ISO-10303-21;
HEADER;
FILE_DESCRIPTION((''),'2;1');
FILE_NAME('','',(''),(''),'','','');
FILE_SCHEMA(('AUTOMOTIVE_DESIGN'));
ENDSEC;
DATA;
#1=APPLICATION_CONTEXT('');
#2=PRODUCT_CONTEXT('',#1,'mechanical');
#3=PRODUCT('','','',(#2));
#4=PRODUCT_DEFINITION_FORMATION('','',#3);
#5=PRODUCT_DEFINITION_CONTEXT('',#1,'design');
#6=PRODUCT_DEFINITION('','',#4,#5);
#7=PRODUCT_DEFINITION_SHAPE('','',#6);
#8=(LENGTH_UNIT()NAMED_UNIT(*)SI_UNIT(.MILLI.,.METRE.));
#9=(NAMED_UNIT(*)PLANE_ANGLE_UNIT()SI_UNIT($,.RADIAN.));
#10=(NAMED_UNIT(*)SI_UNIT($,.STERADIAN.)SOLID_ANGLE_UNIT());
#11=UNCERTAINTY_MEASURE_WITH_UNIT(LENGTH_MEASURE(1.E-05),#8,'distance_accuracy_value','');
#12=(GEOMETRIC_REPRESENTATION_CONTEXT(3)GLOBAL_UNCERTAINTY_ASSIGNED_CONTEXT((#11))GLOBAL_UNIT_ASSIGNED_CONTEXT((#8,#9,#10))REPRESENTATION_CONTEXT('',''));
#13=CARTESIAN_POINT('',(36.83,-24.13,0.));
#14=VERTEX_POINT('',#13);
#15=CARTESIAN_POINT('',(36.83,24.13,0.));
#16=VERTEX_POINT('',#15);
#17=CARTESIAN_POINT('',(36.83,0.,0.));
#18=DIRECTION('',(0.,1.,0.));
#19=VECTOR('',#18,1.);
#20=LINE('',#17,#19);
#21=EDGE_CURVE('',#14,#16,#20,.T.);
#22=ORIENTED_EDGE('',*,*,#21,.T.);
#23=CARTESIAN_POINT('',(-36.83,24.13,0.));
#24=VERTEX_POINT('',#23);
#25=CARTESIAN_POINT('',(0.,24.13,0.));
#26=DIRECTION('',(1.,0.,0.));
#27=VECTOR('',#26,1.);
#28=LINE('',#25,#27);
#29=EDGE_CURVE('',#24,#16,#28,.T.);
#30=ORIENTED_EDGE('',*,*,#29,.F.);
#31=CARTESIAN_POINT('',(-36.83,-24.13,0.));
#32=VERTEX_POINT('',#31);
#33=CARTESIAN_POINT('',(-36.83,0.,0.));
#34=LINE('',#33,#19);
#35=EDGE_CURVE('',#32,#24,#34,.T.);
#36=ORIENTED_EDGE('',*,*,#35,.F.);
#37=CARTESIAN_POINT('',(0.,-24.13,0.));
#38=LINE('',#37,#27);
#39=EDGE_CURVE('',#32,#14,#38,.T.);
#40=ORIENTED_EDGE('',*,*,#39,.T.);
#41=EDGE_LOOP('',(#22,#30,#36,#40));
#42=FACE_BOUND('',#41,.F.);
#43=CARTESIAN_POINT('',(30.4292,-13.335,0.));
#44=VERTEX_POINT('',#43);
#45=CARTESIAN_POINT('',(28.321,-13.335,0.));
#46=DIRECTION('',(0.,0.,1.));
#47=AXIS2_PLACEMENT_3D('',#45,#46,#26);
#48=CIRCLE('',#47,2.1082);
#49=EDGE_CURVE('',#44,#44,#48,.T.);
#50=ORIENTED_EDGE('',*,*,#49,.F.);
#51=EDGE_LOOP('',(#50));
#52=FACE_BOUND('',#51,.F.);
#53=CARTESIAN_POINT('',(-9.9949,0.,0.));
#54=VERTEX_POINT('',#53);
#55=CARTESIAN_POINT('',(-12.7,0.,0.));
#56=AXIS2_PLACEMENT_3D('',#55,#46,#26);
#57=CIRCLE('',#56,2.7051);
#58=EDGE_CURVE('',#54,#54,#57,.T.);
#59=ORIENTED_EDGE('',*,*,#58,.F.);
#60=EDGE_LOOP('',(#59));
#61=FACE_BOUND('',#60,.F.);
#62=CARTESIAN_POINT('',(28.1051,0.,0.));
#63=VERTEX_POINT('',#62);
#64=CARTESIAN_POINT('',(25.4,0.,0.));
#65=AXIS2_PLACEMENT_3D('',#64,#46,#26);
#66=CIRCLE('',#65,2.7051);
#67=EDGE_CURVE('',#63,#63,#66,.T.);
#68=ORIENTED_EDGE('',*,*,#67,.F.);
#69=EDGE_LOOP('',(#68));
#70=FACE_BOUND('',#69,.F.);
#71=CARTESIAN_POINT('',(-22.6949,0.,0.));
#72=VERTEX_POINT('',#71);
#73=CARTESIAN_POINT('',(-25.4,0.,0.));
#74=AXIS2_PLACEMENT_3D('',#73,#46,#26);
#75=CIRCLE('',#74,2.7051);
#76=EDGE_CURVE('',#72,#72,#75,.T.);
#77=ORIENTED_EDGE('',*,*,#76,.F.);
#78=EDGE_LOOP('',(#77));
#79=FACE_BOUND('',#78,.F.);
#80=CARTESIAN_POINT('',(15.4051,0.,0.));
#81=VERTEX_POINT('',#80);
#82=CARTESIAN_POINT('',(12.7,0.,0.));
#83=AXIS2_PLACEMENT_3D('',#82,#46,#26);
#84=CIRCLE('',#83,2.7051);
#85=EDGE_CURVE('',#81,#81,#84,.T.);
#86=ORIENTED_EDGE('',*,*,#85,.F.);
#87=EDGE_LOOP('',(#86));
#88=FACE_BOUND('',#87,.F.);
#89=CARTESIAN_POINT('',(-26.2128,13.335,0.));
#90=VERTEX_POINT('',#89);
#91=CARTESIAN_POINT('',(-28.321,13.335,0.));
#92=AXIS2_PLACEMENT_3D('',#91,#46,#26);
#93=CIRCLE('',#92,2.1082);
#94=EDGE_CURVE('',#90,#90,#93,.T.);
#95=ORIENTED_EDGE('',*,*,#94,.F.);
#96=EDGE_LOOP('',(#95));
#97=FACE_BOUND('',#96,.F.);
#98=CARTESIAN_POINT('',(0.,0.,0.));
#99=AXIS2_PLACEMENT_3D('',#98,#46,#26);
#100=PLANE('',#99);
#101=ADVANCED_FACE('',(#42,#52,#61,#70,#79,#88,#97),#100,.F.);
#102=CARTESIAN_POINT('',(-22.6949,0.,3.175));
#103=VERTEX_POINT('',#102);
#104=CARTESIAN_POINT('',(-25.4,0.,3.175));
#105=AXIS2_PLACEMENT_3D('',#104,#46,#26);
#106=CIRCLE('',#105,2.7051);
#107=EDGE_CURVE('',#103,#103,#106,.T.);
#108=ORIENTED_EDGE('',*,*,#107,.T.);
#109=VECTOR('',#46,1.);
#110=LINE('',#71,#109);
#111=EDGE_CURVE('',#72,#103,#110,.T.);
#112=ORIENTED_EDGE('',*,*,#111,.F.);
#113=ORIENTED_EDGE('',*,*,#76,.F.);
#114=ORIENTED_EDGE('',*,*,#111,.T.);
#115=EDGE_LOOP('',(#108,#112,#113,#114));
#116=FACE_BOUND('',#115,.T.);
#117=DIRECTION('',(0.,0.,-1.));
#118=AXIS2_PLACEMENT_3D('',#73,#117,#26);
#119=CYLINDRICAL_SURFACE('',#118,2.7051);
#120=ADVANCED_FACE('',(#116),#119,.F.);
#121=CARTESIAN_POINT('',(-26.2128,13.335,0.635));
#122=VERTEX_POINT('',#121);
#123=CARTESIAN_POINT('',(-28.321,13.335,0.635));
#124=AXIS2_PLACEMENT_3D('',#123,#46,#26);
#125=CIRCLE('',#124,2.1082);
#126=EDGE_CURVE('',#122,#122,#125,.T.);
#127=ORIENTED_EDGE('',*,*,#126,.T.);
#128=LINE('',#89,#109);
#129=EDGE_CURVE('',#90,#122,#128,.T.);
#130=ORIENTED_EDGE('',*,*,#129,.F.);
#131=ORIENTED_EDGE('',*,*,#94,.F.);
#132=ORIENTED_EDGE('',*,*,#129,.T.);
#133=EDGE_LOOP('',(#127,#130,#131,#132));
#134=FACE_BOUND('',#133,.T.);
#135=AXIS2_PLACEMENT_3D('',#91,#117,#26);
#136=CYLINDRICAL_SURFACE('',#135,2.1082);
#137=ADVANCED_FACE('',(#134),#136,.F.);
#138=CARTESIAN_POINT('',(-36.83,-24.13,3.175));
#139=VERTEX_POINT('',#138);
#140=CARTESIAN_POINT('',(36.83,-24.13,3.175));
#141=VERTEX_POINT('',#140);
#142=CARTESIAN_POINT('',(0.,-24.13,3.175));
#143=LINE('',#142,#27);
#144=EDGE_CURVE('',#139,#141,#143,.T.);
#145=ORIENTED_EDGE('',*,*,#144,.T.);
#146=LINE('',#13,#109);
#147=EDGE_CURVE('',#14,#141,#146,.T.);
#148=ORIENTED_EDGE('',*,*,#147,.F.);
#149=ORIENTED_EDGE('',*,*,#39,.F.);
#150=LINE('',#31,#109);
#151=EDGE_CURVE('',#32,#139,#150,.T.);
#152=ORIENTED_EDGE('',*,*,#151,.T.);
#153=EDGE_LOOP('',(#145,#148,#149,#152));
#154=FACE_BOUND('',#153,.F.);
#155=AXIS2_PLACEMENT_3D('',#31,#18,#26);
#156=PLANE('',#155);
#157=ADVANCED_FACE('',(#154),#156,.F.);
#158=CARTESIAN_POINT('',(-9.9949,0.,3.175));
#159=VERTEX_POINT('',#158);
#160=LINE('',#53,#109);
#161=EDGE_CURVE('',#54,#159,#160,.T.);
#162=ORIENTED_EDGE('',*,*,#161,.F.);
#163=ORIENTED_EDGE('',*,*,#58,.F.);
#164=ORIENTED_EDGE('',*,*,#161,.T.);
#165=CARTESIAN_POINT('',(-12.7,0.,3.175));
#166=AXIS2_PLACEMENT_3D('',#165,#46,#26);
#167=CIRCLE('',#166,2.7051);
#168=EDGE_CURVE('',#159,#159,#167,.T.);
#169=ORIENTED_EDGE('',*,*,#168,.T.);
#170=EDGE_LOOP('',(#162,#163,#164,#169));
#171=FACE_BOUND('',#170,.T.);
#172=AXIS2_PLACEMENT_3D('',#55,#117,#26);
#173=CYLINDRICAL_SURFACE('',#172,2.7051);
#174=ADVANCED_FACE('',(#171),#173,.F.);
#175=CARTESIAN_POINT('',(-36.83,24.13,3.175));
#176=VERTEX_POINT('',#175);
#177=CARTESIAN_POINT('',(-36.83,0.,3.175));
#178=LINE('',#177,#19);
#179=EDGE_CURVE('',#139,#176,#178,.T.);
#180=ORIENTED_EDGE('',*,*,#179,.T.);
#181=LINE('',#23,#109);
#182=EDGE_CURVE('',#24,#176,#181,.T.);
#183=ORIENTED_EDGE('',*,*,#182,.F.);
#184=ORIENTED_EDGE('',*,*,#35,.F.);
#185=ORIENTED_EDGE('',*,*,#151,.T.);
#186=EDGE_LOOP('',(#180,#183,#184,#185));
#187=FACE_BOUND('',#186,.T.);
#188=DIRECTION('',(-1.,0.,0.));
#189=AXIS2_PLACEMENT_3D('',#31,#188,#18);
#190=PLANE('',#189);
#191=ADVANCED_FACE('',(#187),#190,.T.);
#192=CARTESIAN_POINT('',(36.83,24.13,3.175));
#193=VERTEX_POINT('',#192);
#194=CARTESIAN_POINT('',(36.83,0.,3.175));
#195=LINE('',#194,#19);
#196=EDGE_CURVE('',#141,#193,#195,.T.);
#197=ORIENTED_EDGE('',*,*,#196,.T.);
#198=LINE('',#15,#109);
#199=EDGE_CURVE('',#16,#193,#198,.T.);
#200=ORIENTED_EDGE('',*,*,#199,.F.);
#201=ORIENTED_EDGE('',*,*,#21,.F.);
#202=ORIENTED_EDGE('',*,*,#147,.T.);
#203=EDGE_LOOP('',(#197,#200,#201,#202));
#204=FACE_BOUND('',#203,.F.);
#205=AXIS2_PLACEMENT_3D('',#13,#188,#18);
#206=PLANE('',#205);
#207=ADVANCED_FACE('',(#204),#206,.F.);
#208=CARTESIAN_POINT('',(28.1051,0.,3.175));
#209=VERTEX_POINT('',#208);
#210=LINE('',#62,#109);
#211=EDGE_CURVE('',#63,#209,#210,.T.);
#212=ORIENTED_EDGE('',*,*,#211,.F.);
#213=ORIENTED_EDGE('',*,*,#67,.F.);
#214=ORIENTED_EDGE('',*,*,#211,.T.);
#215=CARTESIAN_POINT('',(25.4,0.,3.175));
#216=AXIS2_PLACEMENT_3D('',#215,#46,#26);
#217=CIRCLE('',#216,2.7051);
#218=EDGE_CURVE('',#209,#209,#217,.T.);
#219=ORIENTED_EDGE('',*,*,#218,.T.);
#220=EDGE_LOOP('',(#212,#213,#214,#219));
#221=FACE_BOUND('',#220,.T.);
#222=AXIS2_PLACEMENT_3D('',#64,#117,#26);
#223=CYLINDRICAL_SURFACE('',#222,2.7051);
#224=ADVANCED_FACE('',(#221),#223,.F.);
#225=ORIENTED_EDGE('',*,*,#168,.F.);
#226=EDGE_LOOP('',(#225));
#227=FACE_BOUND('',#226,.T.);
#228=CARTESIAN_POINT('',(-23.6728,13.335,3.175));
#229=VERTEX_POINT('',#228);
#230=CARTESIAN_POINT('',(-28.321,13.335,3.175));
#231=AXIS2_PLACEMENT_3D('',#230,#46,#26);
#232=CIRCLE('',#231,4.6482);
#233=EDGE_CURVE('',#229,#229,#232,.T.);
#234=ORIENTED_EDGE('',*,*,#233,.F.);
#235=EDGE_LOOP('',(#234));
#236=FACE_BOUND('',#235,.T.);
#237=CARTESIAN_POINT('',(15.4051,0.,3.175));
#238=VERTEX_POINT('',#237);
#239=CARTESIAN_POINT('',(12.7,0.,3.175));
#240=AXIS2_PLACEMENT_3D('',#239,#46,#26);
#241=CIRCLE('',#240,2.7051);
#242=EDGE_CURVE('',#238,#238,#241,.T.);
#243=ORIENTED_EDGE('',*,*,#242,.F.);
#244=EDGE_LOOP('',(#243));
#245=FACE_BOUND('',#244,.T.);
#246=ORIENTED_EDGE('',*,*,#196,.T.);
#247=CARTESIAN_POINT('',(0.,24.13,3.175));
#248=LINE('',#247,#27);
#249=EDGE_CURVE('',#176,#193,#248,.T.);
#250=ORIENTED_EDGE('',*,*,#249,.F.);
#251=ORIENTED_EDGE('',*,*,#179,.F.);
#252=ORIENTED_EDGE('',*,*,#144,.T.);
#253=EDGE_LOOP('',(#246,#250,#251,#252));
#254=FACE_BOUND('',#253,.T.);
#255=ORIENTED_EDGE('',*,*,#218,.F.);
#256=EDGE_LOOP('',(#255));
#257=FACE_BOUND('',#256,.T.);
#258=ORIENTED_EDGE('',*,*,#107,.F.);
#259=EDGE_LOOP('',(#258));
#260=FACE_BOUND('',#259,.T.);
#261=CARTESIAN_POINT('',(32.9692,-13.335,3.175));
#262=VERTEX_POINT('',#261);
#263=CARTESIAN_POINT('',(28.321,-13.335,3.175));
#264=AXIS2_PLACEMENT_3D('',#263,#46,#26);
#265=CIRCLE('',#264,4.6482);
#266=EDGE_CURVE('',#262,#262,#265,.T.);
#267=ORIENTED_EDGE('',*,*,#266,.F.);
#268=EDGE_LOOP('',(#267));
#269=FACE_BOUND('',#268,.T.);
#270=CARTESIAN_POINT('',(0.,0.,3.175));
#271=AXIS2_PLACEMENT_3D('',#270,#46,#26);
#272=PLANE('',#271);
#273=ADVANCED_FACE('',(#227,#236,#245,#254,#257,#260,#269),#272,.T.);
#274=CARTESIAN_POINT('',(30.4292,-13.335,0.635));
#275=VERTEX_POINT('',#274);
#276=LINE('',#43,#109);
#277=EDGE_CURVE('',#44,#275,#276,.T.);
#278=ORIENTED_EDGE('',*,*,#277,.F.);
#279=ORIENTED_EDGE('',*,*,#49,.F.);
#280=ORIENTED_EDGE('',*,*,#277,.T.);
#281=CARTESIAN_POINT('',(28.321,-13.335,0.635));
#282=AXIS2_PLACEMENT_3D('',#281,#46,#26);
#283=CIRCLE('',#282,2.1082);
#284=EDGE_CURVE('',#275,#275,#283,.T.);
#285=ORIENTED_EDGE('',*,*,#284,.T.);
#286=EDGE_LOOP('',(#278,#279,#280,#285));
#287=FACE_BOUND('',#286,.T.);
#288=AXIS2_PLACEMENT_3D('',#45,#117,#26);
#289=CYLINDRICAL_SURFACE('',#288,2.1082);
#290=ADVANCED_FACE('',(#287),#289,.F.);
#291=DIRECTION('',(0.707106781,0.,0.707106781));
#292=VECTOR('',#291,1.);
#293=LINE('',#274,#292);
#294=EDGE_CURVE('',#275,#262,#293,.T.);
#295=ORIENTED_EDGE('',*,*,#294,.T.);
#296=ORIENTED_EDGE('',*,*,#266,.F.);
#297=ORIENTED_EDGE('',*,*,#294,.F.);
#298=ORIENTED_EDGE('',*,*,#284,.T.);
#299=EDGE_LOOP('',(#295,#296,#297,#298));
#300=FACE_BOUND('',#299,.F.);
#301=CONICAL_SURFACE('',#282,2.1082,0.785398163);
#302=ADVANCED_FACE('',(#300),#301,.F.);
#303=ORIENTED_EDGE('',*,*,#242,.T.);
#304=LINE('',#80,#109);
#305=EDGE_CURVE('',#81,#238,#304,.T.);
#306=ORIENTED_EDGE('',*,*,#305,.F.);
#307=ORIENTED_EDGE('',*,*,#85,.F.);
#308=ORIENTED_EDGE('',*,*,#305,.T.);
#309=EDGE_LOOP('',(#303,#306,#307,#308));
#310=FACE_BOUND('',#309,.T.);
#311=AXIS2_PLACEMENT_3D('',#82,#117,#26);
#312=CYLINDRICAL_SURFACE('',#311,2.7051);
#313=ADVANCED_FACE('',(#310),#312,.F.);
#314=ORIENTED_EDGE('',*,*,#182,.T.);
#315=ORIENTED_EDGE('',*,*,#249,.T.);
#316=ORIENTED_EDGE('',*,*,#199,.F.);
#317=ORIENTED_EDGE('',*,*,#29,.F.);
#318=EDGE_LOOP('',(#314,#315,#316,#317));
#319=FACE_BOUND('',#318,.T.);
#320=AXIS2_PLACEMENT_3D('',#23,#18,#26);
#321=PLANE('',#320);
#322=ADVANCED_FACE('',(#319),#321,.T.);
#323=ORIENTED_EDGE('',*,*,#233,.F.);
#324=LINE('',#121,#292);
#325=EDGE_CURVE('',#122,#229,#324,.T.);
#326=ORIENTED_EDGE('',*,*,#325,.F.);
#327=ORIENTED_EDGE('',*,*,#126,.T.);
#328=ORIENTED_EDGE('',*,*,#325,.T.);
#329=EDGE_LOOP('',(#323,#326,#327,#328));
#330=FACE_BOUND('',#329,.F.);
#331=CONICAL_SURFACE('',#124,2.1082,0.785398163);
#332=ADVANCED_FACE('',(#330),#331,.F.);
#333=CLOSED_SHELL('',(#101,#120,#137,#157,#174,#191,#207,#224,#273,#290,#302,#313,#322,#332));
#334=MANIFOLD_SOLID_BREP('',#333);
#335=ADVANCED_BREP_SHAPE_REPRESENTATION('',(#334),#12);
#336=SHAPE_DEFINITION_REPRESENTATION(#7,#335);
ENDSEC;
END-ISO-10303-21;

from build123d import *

# Parameters (mm, degrees)
F0_W     = 73.66
F0_H     = 48.26
F0_R     = 2.1082
F0_R_2   = 2.7051
F1_DEPTH = 3.175
F2_SIZE  = 2.54


with BuildPart() as f1:
    # F0 (on Top) → F1 (new body)
    with BuildSketch(Plane.XY):
        Rectangle(F0_W, F0_H)
        with Locations((28.321, -13.335)):
            Circle(F0_R, mode=Mode.SUBTRACT)
        with Locations((-25.4, 0)):
            Circle(F0_R_2, mode=Mode.SUBTRACT)
        with Locations((-12.7, 0)):
            Circle(F0_R_2, mode=Mode.SUBTRACT)
        with Locations((-28.321, 13.335)):
            Circle(F0_R, mode=Mode.SUBTRACT)
        with Locations((12.7, 0)):
            Circle(F0_R_2, mode=Mode.SUBTRACT)
        with Locations((25.4, 0)):
            Circle(F0_R_2, mode=Mode.SUBTRACT)
    extrude(amount=F1_DEPTH)

    # F2
    f2_edges = [f1.edges().sort_by_distance(p)[0] for p in [
        (-30.4292, 13.335, 3.175),
        (26.2128, -13.335, 3.175),
    ]]
    chamfer(f2_edges, length=F2_SIZE)


solid = f1.part
